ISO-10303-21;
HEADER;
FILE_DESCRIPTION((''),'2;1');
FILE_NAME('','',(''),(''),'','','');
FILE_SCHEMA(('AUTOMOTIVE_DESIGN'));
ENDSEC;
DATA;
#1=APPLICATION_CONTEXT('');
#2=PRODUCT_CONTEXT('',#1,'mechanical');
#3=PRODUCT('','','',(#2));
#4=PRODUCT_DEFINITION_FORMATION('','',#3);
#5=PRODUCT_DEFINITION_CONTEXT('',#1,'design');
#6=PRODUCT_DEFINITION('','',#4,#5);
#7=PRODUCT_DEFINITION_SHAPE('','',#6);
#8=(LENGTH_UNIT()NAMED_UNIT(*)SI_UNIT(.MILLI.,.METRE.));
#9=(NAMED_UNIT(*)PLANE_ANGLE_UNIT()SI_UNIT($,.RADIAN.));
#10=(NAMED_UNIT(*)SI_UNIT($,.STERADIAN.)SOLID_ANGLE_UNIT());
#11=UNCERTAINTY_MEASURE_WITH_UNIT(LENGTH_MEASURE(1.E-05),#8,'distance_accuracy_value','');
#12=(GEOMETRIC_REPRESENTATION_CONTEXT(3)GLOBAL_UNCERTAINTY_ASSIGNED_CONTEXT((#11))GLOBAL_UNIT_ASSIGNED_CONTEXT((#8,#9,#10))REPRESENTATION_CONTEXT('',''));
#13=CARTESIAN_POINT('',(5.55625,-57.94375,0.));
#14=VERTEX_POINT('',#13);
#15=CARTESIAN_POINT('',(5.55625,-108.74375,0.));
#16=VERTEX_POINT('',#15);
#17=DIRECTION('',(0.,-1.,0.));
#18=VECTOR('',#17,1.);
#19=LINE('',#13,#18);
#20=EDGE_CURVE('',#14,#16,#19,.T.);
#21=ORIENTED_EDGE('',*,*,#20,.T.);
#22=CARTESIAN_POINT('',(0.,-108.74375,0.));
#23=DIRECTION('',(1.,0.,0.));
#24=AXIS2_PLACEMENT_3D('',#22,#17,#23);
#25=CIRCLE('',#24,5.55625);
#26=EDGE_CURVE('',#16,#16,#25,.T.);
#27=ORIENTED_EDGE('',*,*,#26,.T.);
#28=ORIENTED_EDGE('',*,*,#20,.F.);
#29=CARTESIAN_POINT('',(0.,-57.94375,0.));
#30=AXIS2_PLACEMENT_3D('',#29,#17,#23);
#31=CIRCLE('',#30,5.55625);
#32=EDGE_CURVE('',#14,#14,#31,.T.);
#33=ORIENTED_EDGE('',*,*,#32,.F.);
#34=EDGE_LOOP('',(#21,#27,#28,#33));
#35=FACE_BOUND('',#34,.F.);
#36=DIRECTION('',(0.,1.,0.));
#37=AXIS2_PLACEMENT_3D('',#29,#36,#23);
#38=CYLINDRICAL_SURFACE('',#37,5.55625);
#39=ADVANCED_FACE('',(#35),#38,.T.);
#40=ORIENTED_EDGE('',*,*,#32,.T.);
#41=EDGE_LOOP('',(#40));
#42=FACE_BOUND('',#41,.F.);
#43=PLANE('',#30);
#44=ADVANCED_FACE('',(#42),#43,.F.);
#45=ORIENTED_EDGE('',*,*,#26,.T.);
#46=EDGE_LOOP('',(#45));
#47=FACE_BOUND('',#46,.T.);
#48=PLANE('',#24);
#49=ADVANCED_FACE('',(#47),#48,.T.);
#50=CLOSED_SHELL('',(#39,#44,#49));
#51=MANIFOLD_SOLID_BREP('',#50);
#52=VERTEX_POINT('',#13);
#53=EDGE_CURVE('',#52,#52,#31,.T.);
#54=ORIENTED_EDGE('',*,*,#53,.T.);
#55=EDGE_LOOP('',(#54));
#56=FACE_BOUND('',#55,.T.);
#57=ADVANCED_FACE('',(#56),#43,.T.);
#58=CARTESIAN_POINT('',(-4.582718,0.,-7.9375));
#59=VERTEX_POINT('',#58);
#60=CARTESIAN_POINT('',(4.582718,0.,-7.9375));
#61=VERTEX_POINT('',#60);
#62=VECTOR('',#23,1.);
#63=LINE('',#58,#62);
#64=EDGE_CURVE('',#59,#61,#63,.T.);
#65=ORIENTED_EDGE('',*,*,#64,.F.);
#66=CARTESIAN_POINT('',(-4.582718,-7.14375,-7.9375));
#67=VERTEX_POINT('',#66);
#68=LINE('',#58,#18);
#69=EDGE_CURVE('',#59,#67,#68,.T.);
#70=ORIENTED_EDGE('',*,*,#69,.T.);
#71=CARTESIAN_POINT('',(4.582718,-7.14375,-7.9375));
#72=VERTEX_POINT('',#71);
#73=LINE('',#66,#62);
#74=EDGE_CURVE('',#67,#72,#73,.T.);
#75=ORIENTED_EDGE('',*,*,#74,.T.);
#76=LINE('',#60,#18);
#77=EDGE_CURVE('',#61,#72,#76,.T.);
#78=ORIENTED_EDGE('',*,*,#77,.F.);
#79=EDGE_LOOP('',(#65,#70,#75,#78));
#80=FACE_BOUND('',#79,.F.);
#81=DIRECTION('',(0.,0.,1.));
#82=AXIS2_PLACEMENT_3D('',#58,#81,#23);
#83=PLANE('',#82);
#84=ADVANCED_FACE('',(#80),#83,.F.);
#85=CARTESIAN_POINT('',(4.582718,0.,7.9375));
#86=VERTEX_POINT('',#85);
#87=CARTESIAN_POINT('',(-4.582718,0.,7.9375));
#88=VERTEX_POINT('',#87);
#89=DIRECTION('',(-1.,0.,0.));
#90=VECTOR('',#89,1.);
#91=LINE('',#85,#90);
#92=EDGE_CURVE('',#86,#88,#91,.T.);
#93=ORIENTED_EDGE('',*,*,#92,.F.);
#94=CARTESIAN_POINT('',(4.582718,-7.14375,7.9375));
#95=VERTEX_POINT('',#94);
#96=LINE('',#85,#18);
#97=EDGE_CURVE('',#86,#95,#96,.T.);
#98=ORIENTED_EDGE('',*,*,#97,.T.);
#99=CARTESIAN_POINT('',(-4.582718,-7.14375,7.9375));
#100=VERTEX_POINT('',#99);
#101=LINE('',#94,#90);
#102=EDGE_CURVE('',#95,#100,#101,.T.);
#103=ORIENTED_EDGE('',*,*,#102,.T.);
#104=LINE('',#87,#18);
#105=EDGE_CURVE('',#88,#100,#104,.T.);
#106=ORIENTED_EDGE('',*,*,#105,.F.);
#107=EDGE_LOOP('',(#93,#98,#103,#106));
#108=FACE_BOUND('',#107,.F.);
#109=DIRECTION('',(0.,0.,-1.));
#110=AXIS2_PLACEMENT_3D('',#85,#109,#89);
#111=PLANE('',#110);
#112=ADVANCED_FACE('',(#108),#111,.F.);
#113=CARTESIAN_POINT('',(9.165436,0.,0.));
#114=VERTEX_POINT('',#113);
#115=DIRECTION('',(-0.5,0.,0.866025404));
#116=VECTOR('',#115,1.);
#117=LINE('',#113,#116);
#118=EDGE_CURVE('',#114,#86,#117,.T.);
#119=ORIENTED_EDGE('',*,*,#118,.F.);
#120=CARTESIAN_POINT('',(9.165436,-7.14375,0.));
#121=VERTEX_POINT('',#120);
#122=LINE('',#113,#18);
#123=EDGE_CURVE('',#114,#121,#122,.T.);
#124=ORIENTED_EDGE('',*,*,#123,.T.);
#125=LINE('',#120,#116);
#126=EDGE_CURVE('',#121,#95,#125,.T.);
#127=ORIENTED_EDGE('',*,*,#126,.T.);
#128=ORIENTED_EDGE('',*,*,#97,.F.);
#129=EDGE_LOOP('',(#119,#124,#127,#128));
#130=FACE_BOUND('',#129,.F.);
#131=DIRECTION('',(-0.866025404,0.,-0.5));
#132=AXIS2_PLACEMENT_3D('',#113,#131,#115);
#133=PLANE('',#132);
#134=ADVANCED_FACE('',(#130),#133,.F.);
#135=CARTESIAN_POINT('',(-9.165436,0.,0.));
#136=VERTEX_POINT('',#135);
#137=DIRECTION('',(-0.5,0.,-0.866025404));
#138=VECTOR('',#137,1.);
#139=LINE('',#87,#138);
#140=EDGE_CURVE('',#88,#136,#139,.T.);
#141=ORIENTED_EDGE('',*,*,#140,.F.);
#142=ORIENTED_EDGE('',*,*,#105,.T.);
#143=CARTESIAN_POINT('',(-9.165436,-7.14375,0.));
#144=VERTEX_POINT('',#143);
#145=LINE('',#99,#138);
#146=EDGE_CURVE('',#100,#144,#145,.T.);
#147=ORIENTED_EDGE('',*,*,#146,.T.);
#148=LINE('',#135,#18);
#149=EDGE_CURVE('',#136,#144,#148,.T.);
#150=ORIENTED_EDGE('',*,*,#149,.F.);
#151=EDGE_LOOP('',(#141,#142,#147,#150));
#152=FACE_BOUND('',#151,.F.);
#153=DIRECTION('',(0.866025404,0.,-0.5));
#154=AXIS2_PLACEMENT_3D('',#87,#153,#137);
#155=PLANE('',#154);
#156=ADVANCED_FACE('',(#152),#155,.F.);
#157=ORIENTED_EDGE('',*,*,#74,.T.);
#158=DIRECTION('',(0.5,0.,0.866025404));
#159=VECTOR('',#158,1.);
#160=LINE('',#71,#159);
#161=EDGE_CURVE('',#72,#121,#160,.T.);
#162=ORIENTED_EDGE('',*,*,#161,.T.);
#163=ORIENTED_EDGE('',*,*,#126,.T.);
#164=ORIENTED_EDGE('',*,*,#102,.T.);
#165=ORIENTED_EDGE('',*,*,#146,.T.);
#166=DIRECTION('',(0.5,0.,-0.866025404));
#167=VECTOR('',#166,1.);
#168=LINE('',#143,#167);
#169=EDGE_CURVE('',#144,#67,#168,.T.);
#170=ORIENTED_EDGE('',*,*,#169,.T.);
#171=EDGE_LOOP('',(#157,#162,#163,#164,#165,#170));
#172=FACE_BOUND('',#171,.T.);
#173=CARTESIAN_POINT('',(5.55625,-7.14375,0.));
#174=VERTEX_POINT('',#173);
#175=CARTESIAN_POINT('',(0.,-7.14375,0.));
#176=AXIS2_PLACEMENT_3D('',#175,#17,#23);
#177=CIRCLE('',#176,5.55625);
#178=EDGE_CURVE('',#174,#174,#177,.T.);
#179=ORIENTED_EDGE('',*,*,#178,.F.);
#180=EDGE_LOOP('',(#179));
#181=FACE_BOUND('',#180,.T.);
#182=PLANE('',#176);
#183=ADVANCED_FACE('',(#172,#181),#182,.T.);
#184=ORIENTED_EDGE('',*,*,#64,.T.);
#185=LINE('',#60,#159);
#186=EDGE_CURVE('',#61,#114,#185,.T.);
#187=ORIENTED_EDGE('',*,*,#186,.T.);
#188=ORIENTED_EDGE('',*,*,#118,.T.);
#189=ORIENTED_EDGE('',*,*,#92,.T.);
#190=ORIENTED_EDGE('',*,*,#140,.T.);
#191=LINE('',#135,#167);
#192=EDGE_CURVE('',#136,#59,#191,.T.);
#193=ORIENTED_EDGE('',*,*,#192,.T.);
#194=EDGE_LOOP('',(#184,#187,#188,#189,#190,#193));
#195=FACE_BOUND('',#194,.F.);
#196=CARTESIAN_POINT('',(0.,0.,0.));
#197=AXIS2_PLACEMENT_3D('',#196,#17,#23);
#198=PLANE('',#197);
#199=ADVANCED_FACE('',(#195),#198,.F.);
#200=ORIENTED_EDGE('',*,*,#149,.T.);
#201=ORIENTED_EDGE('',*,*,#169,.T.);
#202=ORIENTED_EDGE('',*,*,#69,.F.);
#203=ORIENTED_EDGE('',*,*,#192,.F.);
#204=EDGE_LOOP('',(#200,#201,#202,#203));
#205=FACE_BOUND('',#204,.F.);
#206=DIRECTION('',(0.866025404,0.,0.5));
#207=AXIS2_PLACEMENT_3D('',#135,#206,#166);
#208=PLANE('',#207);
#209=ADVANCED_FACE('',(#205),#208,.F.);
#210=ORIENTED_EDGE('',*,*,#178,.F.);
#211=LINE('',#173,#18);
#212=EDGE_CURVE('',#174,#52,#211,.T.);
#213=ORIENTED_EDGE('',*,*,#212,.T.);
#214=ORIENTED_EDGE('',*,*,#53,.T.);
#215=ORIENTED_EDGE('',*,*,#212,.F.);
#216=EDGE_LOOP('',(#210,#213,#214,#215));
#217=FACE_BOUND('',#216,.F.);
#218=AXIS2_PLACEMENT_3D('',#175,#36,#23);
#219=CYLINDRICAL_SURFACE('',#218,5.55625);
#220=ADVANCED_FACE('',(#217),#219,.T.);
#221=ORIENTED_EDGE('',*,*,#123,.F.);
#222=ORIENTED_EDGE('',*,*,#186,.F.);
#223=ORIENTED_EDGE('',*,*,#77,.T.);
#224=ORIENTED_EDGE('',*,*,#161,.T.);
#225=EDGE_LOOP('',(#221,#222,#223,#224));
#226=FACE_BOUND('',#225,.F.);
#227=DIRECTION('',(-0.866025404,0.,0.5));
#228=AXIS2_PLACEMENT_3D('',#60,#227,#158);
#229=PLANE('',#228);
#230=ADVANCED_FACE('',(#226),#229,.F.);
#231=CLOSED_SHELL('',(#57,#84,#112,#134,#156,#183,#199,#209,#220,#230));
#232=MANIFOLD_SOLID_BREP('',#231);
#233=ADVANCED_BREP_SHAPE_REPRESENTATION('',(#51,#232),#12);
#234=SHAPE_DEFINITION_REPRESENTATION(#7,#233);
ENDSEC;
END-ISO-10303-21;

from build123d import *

# Parameters (mm, degrees)
F1_DEPTH = 7.14375
F2_R     = 5.55625
F3_DEPTH = 50.8
F4_R     = 5.55625
F5_DEPTH = 50.8


with BuildPart() as f1:
    # F0 (on Front) → F1 (new body)
    with BuildSketch(Plane.XZ):
        Polygon((4.5827177617, 7.9375), (-4.5827177617, 7.9375), (-9.1654355234, 0), (-4.5827177617, -7.9375), (4.5827177617, -7.9375), (9.1654355234, 0), align=None)
    extrude(amount=F1_DEPTH)

    # F2 (on face) → F3 (join)
    with BuildSketch(Plane.XZ.offset(7.14375)):
        Circle(F2_R)
    extrude(amount=F3_DEPTH)


with BuildPart() as f5:
    # F4 (on face) → F5 (new body)
    with BuildSketch(Plane.XZ.offset(57.94375)):
        Circle(F4_R)
    extrude(amount=F5_DEPTH)


solid = Compound([f1.part, f5.part])
